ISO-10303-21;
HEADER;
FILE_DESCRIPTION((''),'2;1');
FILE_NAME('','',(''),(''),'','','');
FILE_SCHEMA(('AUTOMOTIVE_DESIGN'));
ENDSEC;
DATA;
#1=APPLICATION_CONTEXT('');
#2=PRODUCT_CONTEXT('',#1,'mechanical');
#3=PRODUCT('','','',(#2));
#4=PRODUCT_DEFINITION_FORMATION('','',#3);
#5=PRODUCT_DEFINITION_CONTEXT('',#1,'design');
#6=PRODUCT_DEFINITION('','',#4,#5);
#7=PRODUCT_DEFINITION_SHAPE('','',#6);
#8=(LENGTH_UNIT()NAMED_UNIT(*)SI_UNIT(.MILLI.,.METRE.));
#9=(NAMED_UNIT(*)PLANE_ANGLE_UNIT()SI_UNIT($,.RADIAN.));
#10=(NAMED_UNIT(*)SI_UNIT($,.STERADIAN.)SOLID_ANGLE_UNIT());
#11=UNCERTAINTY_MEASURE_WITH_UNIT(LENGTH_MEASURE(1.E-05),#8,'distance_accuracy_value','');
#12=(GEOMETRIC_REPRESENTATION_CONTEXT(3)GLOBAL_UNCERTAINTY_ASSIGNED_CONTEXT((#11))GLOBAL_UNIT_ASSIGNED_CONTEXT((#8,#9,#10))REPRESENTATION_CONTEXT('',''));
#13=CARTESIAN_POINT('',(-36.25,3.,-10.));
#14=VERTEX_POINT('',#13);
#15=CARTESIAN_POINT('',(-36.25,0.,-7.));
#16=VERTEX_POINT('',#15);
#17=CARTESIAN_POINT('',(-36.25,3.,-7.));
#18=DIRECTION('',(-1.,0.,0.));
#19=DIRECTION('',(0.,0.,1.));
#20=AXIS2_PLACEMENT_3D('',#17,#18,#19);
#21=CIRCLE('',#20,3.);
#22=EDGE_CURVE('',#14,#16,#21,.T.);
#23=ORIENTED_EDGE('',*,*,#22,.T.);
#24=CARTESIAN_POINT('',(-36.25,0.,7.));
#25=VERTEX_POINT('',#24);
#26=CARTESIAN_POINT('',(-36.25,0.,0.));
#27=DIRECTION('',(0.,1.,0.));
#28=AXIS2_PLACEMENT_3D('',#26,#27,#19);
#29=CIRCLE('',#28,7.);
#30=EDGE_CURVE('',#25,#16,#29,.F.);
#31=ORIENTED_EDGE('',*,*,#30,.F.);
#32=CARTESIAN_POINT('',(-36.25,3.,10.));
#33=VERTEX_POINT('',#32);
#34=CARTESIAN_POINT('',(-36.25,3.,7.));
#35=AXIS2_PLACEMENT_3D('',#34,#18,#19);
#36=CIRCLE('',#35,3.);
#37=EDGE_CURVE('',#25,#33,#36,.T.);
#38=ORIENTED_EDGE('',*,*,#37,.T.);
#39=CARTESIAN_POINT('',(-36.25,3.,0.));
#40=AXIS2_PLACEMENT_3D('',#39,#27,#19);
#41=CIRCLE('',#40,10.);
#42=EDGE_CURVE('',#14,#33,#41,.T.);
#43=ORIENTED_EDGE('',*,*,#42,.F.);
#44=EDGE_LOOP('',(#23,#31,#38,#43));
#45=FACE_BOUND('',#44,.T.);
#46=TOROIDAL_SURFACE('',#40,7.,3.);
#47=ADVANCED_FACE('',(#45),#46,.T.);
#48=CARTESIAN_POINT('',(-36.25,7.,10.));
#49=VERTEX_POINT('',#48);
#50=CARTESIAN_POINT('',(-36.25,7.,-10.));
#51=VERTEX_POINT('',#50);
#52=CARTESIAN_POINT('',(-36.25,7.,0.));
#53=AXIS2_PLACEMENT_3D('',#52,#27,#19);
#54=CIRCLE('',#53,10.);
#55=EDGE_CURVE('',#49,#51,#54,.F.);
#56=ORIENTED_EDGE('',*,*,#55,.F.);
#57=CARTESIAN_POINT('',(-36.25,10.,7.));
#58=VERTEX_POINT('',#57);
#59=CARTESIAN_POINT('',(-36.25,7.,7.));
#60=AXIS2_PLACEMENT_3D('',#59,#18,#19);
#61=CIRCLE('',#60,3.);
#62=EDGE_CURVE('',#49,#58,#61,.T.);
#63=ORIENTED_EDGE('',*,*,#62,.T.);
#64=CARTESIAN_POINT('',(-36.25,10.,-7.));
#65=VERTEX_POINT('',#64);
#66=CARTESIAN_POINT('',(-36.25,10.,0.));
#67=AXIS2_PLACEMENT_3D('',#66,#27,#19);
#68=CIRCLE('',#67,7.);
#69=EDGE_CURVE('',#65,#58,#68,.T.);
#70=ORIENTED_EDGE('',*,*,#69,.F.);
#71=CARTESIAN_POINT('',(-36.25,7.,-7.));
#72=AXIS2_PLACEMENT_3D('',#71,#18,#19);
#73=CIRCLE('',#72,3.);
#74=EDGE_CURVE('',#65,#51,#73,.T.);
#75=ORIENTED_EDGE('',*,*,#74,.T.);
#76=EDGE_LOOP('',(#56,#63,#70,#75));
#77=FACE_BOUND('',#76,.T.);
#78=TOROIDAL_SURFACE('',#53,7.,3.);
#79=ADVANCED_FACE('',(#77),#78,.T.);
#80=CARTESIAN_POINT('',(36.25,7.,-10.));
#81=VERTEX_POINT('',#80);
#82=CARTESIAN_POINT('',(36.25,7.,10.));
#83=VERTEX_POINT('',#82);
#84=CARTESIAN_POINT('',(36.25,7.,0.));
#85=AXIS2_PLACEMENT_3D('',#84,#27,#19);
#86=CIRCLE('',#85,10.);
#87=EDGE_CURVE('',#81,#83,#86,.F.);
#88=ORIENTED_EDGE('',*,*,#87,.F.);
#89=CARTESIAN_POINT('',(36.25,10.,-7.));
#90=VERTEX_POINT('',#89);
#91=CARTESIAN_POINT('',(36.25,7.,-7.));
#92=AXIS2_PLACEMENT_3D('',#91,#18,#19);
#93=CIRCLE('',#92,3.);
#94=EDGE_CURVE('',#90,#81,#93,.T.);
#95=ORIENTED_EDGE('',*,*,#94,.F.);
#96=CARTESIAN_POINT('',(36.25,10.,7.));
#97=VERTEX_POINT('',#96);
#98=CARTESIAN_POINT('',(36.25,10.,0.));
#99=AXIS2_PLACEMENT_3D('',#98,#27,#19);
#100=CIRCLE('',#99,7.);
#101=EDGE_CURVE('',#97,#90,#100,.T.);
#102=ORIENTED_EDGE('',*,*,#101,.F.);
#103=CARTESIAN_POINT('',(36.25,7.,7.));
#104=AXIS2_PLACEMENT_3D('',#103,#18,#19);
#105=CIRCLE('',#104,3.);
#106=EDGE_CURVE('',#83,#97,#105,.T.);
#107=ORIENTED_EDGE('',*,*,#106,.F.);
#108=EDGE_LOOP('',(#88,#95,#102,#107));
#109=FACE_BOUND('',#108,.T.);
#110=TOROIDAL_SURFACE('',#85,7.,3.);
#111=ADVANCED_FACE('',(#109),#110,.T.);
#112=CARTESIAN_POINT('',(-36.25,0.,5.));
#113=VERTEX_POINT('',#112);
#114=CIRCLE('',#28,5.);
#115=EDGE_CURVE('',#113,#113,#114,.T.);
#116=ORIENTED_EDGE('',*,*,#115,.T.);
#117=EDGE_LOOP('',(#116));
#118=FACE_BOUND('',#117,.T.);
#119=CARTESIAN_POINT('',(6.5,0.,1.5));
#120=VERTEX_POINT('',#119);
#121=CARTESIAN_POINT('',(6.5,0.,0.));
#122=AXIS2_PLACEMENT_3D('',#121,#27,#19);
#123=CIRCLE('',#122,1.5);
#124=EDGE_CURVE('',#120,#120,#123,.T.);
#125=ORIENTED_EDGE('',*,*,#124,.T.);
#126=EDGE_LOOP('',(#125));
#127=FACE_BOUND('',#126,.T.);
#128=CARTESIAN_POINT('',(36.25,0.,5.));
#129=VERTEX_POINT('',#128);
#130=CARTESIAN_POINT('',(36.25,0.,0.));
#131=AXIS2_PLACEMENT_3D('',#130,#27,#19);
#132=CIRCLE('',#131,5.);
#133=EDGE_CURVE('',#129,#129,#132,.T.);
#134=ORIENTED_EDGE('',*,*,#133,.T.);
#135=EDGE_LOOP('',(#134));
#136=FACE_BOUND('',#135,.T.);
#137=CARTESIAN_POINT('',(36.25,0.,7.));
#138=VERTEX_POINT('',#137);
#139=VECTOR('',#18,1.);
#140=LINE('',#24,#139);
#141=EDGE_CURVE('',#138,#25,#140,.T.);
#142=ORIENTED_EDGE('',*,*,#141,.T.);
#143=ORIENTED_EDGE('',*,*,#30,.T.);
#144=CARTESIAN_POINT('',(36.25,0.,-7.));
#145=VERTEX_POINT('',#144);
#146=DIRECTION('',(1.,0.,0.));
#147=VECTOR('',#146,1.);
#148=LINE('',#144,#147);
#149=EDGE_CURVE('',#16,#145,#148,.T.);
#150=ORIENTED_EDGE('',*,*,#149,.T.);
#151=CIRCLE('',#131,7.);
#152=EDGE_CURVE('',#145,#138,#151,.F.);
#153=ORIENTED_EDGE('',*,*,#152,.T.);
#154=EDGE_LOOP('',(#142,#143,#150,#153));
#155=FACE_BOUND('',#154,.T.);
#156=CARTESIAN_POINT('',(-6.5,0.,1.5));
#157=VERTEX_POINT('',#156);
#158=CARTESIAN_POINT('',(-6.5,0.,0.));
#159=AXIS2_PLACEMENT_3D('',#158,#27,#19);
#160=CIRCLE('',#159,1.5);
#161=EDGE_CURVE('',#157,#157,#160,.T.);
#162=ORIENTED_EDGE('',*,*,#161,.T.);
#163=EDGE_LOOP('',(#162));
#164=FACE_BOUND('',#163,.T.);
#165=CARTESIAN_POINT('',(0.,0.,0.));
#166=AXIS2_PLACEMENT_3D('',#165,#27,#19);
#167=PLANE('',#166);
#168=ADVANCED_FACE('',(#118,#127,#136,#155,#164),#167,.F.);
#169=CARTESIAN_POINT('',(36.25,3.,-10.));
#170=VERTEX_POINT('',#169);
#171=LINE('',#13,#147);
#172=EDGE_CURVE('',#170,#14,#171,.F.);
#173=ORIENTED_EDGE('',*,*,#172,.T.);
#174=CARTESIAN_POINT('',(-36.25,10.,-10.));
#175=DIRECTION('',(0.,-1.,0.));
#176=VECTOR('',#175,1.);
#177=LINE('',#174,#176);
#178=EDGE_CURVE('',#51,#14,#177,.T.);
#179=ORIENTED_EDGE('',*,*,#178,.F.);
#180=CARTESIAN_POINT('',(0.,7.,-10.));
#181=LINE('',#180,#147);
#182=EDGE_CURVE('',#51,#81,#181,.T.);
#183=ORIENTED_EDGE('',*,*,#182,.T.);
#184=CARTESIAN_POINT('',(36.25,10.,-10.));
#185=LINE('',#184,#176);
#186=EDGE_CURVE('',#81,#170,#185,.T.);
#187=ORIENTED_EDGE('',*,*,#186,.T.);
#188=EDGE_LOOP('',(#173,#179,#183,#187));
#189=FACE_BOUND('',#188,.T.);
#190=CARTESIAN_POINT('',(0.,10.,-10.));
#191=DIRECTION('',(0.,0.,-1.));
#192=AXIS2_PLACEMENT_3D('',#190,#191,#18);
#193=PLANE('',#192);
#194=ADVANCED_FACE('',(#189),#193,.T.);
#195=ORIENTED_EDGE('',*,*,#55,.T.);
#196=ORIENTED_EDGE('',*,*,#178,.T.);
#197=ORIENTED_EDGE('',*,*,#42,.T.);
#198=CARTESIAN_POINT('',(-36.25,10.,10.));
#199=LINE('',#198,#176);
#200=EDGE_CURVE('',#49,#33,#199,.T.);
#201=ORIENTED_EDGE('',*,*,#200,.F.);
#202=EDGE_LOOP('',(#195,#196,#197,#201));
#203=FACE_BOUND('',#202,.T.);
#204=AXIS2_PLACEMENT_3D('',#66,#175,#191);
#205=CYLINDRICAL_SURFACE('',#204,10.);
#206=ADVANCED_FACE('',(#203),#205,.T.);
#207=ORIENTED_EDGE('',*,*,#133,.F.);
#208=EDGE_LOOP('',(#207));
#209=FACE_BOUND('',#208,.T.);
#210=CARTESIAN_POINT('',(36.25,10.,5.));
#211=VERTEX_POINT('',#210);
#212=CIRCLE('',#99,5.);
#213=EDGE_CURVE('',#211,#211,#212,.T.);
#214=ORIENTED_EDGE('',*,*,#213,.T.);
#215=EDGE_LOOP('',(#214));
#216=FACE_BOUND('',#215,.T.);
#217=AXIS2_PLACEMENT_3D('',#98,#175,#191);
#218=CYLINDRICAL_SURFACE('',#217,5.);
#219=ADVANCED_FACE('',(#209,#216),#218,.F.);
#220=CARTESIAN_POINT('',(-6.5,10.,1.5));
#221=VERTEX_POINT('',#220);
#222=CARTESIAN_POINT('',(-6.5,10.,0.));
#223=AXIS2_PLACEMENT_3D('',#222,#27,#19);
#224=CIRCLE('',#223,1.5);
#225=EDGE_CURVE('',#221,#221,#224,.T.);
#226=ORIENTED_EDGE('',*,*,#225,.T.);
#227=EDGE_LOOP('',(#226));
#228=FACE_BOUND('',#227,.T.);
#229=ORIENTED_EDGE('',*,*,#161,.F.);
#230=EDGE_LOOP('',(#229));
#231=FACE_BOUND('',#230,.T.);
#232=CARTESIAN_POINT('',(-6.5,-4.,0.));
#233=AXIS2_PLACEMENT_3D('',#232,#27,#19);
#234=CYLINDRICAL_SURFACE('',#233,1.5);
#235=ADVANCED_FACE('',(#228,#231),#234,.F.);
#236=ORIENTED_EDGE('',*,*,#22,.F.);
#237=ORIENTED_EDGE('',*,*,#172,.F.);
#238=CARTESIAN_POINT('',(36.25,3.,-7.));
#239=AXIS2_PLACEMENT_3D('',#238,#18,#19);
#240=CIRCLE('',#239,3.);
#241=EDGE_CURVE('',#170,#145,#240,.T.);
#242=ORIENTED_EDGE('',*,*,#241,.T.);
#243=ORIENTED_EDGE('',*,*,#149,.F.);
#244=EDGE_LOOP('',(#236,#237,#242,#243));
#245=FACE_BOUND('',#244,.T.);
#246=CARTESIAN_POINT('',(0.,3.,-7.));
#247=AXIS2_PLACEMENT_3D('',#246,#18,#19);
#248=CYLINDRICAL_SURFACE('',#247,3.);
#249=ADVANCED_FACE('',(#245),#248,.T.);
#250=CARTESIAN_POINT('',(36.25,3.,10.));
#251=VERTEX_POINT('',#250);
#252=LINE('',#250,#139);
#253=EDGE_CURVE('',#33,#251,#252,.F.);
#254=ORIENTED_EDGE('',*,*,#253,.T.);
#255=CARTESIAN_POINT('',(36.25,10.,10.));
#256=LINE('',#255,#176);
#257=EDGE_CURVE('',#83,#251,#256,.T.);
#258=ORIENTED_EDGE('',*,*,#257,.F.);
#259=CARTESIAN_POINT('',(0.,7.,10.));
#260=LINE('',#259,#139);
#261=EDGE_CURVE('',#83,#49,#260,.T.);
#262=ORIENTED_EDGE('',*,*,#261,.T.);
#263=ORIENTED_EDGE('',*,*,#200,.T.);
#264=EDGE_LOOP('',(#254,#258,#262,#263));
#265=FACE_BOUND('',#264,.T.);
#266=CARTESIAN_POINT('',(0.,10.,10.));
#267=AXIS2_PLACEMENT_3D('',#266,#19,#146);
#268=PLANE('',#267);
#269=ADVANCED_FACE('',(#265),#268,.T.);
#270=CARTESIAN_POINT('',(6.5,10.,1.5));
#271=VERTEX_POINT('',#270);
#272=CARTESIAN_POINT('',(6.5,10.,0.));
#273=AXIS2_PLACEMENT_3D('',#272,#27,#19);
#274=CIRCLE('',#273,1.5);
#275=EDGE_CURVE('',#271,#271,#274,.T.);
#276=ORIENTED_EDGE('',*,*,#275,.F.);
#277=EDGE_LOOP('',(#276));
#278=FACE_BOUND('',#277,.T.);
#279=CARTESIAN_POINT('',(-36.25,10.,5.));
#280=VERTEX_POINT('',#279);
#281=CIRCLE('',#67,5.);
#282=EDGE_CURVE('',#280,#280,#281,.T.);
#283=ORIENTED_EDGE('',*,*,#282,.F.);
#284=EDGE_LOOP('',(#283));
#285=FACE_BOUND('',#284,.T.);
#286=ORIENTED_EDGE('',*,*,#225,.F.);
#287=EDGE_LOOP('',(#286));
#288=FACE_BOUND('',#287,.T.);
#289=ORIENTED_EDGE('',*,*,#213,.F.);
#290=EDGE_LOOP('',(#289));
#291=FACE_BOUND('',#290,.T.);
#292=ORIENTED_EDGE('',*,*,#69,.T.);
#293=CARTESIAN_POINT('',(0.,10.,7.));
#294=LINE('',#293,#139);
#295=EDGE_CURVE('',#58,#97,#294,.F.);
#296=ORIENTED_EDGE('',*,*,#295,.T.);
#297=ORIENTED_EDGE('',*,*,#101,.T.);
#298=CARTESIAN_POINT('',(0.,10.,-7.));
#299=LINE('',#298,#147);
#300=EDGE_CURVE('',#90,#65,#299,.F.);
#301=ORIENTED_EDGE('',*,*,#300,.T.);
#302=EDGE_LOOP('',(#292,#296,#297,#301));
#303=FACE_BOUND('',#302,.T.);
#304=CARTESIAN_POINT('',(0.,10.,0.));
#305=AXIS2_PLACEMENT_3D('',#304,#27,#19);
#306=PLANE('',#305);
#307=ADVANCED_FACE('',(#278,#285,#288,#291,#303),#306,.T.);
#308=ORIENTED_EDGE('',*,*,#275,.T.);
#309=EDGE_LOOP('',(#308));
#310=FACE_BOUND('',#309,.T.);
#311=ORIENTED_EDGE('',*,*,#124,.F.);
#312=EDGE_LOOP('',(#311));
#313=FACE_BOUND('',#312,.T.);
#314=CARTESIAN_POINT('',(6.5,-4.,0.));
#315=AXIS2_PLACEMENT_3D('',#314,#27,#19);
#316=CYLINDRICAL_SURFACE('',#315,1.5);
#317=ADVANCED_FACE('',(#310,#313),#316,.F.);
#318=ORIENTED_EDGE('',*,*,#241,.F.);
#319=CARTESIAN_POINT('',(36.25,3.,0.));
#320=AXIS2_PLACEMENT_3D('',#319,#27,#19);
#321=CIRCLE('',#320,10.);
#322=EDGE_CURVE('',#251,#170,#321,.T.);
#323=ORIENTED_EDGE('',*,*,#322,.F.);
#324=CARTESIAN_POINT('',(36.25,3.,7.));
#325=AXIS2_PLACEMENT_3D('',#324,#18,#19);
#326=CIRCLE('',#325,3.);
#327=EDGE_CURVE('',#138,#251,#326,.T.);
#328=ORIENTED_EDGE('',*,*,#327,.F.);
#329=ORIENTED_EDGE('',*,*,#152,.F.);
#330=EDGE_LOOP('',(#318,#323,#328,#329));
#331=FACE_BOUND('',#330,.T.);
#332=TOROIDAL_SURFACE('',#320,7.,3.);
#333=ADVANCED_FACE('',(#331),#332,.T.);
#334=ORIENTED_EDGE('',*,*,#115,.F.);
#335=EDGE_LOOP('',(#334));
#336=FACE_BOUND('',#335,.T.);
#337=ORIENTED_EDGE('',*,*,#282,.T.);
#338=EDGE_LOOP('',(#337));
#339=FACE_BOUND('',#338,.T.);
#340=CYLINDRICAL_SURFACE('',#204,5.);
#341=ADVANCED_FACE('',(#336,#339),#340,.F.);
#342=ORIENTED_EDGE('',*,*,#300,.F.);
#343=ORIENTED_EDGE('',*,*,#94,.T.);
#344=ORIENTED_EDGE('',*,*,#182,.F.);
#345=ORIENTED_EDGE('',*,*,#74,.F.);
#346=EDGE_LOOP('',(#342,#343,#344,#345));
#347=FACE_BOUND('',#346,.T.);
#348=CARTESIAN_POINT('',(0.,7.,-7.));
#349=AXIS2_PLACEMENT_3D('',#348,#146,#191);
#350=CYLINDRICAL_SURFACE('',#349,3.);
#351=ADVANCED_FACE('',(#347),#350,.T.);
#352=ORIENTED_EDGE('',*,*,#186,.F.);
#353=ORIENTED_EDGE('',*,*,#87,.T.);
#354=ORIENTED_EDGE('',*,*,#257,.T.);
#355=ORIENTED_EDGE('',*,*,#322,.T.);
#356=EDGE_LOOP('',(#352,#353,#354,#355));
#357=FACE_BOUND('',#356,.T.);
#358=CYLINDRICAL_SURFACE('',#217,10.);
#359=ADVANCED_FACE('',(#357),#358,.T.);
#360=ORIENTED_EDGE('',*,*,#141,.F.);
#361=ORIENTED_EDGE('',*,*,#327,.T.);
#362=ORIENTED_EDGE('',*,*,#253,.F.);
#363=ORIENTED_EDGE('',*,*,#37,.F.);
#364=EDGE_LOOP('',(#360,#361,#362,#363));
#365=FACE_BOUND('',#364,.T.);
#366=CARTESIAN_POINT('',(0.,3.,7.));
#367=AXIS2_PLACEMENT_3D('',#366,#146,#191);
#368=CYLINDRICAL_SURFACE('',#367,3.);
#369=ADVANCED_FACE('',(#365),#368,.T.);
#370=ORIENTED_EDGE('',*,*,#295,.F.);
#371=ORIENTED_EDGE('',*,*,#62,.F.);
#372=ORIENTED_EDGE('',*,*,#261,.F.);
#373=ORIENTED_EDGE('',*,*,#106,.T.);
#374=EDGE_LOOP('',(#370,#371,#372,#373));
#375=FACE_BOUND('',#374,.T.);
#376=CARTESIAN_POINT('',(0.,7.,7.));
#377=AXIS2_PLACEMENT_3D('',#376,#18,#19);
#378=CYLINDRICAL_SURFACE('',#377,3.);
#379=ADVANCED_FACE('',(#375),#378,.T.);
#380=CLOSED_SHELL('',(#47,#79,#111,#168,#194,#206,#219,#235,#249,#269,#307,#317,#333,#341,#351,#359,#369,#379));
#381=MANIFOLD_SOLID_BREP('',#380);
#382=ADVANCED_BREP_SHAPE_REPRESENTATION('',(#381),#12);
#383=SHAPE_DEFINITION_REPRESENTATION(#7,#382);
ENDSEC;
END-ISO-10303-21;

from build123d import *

# Parameters (mm, degrees)
SKETCH2_R           = 5
BOSS_EXTRUDE1_DEPTH = 10
FILLET1_R           = 3
BOSS_EXTRUDE2_DEPTH = 10
SKETCH4_R           = 1.5
CUT_EXTRUDE1_DEPTH  = 14


with BuildPart() as part:
    # Sketch2 → Boss-Extrude1 (new body)
    with BuildSketch(Plane(origin=(0, 0, 0), x_dir=(1, 0, 0), z_dir=(0, 1, 0))):
        with BuildLine():
            Line((36.25, 10), (-36.25, 10))
            ThreePointArc((-36.25, 10), (-46.25, 0), (-36.25, -10))
            Line((-36.25, -10), (36.25, -10))
            ThreePointArc((36.25, -10), (46.25, 0), (36.25, 10))
        make_face()
        with Locations((-36.25, 0)):
            Circle(SKETCH2_R, mode=Mode.SUBTRACT)
        with BuildLine():
            ThreePointArc((5, 0), (3.535533906, -3.535533906), (0, -5))
            ThreePointArc((0, -5), (-5, 0), (0, 5))
            ThreePointArc((0, 5), (3.535533906, 3.535533906), (5, 0))
        make_face(mode=Mode.SUBTRACT)
        with Locations((36.25, 0)):
            Circle(SKETCH2_R, mode=Mode.SUBTRACT)
    extrude(amount=BOSS_EXTRUDE1_DEPTH)

    # Fillet1
    fillet1_edges = [part.edges().sort_by_distance(p)[0] for p in [
        (46.25, 0, 0),
        (0, 0, 10),
        (0, 10, 10),
        (46.25, 10, 0),
        (0, 10, -10),
        (-46.25, 10, 0),
        (-46.25, 0, 0),
        (0, 0, -10),
    ]]
    fillet(fillet1_edges, radius=FILLET1_R)

    # Sketch3 → Boss-Extrude2 (add)
    with BuildSketch(Plane(origin=(0, 10, 0), x_dir=(1, 0, 0), z_dir=(0, 1, 0))):
        with BuildLine():
            Line((5, 0), (0, 0))
            Line((0, 0), (-5, 0))
            ThreePointArc((-5, 0), (0, -5), (5, 0))
        make_face()
        with BuildLine():
            Line((-5, 0), (0, 0))
            Line((0, 0), (5, 0))
            ThreePointArc((5, 0), (0, 5), (-5, 0))
        make_face()
    extrude(amount=-BOSS_EXTRUDE2_DEPTH)

    # Sketch4 → Cut-Extrude1 (cut)
    with BuildSketch(Plane(origin=(0, 10, 0), x_dir=(1, 0, 0), z_dir=(0, 1, 0))):
        with Locations((-6.5, 0)):
            Circle(SKETCH4_R)
        with Locations((6.5, 0)):
            Circle(SKETCH4_R)
    extrude(amount=-CUT_EXTRUDE1_DEPTH, mode=Mode.SUBTRACT)


solid = part.part
